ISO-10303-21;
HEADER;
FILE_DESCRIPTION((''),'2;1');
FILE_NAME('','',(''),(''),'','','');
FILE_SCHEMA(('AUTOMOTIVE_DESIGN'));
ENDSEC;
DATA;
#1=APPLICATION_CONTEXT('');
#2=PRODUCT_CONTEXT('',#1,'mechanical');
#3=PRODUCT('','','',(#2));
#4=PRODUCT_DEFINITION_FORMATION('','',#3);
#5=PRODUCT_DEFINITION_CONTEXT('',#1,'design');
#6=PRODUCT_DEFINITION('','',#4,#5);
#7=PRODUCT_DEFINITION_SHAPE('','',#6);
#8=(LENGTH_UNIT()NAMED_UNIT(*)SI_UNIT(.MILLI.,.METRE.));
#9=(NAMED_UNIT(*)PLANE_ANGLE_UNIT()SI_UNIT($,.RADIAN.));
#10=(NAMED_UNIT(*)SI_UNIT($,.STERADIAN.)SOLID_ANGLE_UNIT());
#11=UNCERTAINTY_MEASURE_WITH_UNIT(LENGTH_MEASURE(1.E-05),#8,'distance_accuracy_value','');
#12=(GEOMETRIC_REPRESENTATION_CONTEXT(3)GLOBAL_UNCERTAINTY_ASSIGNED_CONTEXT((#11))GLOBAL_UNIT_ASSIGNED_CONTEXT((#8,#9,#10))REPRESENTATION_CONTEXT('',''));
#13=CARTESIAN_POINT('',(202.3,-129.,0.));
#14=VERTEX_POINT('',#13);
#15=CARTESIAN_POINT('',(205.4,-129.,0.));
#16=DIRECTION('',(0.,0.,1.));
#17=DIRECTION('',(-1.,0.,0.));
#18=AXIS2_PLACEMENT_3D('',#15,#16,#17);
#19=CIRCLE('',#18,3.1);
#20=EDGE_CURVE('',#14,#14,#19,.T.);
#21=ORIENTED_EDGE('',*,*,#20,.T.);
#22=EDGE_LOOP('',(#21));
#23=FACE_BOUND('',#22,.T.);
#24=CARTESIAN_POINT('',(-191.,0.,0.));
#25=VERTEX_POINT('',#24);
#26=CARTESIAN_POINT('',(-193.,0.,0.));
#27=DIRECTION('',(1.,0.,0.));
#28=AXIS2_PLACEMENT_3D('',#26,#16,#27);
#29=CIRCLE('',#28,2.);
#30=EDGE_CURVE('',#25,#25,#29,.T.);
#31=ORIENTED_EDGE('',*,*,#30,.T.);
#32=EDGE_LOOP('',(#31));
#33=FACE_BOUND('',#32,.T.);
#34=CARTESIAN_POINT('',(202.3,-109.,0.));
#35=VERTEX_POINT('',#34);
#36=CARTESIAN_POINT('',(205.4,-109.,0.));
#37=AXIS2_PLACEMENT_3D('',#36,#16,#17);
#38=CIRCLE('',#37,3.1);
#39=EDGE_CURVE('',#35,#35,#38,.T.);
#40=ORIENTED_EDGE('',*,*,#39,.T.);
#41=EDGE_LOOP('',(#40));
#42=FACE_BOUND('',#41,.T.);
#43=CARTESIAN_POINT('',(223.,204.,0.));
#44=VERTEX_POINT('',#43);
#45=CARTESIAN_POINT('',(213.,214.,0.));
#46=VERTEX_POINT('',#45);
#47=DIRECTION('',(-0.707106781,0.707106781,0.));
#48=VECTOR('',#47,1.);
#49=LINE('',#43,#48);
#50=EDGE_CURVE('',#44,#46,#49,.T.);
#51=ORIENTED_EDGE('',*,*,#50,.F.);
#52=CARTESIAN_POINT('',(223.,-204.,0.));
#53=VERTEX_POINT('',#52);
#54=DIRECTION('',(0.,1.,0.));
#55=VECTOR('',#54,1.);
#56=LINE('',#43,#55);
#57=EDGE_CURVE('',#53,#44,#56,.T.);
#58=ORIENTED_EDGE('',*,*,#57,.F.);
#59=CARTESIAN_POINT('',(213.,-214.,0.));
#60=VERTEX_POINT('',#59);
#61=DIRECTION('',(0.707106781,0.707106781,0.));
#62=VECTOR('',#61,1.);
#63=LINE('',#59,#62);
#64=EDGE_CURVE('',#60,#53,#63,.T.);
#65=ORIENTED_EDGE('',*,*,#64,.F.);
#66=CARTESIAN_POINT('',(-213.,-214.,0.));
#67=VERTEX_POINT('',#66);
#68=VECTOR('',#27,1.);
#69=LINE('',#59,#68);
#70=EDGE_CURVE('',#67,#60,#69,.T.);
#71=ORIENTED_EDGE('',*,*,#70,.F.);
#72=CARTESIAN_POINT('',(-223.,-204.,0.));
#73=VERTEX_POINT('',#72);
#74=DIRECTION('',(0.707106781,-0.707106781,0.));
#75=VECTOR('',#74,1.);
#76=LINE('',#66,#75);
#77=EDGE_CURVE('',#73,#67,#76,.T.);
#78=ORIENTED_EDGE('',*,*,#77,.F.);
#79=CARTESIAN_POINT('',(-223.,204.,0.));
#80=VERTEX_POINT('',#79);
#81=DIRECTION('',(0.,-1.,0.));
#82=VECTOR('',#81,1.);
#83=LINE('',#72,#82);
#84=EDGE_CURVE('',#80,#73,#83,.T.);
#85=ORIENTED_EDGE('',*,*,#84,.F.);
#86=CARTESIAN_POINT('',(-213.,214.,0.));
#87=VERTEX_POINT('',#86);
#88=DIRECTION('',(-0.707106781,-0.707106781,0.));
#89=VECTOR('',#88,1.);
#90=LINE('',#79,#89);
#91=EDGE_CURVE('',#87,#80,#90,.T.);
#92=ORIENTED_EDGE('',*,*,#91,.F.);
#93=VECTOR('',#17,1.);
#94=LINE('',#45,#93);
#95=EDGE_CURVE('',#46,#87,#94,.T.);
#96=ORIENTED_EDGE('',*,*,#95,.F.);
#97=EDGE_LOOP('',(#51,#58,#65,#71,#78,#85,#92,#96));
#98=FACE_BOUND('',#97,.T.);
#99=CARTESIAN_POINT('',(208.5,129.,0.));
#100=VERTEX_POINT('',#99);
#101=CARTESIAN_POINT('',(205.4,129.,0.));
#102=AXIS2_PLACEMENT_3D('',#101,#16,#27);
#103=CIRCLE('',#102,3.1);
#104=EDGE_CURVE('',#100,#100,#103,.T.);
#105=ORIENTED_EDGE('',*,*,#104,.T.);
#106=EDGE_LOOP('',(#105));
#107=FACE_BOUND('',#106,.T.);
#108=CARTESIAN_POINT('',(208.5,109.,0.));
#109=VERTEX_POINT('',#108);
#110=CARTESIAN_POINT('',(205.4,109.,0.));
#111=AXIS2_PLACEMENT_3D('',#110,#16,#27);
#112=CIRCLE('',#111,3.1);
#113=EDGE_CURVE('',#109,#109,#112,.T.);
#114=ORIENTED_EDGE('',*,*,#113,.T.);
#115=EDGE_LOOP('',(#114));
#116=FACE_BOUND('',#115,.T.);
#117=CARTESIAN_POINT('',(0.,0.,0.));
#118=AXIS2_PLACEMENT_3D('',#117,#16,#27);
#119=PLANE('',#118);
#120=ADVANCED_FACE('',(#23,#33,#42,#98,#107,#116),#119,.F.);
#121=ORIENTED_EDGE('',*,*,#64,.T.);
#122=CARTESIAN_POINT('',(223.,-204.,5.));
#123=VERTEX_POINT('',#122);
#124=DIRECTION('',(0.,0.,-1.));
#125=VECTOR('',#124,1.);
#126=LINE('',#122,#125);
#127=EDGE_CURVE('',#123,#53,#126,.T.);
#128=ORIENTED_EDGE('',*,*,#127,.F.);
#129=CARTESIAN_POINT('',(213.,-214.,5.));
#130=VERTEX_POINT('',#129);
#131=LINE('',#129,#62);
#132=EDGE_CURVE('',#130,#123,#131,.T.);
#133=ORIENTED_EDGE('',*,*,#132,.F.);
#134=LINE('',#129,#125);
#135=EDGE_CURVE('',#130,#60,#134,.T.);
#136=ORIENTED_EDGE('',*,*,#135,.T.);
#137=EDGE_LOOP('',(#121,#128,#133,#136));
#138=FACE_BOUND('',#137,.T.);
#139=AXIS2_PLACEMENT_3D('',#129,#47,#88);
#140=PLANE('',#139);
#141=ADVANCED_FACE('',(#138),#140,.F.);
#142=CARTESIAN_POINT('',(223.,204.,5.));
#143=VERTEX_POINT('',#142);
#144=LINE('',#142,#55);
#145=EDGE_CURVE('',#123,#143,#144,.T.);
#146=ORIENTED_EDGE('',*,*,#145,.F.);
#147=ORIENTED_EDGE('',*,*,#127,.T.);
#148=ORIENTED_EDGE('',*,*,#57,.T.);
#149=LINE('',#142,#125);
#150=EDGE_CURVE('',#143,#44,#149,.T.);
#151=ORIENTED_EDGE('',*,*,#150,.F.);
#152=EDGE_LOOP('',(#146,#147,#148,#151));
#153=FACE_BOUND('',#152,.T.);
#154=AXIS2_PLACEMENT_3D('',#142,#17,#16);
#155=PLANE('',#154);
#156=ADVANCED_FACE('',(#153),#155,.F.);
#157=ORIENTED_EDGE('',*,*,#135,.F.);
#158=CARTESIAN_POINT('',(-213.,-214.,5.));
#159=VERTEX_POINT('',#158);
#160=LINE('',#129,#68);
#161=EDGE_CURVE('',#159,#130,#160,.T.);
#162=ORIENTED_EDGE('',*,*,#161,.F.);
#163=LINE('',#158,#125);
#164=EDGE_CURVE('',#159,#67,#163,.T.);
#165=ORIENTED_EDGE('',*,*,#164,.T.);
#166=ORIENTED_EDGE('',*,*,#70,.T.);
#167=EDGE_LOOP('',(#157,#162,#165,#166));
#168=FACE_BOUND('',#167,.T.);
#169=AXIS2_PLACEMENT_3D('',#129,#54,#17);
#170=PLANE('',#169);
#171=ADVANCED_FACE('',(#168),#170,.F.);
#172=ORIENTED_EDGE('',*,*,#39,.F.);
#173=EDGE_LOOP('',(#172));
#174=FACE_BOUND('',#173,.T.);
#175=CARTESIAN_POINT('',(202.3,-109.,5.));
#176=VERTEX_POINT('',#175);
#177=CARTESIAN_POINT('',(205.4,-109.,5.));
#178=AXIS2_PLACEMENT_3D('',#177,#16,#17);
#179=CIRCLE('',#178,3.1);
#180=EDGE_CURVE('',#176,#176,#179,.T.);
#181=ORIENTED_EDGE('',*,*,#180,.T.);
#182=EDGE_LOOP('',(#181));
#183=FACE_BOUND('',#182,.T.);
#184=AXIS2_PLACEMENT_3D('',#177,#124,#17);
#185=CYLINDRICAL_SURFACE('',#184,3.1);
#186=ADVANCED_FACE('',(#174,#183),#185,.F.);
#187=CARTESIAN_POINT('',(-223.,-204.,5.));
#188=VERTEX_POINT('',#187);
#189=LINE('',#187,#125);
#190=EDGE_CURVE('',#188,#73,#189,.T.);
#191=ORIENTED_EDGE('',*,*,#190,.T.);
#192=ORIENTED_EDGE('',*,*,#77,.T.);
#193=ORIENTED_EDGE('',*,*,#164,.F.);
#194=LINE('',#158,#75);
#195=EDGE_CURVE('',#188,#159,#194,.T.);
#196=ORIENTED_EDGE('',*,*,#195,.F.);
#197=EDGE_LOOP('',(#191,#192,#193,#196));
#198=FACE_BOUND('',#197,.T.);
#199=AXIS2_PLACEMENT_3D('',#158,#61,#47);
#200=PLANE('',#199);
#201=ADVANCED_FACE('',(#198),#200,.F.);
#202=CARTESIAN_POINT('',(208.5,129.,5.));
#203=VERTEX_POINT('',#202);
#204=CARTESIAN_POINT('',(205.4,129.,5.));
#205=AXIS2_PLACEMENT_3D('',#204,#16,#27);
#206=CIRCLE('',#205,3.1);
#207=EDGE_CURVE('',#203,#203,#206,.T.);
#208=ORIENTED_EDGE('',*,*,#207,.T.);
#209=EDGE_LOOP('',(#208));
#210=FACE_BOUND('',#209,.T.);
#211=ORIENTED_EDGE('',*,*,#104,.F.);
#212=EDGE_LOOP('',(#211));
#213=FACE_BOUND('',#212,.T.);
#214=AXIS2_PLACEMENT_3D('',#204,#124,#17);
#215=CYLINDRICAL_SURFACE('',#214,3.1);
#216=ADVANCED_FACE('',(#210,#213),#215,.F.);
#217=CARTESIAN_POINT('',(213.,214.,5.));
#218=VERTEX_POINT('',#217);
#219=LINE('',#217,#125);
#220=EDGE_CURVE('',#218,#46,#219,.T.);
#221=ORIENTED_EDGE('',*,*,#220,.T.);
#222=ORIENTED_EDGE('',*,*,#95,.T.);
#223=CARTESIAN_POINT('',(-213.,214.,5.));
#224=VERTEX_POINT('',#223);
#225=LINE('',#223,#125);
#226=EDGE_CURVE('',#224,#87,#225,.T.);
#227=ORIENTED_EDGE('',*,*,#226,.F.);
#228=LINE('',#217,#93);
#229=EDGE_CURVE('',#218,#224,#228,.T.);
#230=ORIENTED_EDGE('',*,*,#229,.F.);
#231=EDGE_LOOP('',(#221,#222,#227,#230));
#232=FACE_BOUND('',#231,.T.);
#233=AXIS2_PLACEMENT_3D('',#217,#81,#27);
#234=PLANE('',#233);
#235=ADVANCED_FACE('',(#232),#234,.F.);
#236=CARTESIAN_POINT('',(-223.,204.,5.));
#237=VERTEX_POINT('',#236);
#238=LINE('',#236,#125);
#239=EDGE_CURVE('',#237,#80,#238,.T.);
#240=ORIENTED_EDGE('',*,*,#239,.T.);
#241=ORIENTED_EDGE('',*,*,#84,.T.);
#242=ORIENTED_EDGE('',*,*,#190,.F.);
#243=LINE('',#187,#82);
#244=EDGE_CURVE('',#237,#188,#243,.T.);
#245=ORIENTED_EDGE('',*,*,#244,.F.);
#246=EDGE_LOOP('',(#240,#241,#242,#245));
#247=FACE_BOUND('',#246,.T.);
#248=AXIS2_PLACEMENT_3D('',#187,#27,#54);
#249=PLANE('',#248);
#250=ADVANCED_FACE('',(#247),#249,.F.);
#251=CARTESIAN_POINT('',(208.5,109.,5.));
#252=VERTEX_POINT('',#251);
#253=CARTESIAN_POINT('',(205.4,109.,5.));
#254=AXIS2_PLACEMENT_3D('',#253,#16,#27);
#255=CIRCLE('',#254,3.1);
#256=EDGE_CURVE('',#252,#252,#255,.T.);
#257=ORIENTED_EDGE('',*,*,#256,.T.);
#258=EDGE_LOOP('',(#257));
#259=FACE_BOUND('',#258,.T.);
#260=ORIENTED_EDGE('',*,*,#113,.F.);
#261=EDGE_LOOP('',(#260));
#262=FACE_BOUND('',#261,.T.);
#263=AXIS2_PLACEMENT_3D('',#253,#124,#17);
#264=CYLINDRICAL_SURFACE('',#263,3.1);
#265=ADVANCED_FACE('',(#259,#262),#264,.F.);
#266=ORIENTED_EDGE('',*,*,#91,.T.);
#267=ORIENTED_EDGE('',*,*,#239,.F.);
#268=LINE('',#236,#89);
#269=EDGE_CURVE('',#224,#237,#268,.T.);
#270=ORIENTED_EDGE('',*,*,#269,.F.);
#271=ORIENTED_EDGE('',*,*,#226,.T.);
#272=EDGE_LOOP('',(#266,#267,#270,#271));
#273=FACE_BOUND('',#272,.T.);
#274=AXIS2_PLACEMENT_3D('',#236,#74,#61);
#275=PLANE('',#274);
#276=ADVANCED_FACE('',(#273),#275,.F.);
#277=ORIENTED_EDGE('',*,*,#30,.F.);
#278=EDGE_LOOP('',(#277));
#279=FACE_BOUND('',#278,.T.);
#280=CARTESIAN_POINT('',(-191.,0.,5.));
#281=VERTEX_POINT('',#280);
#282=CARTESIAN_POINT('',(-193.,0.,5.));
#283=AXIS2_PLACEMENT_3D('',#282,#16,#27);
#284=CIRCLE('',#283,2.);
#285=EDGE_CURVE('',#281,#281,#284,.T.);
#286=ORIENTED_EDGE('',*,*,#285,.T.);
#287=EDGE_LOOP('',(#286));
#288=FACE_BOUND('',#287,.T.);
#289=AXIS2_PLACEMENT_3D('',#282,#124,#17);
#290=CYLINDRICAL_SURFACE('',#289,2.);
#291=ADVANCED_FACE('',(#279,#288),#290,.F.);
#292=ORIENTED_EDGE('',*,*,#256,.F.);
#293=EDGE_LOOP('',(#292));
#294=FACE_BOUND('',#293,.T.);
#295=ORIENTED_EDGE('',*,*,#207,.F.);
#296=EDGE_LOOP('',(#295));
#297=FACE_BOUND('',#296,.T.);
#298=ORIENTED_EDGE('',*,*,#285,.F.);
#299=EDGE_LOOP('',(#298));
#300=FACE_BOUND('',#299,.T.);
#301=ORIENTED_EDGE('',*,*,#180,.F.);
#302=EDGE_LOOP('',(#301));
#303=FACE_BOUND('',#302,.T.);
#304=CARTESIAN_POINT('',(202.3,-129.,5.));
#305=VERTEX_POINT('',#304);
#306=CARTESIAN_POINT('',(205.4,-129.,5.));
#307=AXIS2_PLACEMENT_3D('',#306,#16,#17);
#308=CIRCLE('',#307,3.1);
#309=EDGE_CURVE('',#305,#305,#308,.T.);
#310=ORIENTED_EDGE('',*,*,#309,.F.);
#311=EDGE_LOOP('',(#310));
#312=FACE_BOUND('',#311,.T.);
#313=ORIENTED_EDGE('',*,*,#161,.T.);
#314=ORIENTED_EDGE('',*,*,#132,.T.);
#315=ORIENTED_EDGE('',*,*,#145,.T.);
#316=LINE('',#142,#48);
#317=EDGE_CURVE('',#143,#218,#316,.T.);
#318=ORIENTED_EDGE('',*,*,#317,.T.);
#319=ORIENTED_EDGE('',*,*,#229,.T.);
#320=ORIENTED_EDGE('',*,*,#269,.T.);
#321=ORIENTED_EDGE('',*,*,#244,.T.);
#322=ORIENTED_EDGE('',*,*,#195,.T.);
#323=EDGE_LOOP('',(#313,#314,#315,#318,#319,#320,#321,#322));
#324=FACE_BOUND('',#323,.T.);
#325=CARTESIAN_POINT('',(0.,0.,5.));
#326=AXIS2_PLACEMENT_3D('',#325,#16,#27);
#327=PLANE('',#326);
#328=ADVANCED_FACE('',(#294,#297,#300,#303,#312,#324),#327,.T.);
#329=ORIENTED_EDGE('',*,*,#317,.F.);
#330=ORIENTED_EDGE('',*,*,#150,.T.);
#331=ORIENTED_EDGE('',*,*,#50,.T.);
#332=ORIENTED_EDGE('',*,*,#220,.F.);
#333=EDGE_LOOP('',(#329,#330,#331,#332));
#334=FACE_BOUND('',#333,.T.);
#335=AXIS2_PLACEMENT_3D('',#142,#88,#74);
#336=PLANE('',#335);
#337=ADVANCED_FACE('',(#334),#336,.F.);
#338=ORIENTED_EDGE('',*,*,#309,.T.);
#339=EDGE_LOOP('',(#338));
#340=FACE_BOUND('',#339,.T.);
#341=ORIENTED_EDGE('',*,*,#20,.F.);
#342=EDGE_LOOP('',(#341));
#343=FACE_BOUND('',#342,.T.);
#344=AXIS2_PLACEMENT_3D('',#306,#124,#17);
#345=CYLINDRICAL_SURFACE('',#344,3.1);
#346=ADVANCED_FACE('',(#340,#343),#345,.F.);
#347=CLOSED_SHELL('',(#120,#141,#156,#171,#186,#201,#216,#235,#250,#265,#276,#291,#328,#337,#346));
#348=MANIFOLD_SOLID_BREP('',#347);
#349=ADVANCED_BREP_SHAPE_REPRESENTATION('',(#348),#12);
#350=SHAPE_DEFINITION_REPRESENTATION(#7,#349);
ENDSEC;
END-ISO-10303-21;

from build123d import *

# Parameters (mm, degrees)
SCHIZZO1_R                   = 3.1
SCHIZZO1_R_2                 = 2
ESTRUSIONE_ESTRUSIONE1_DEPTH = 5


with BuildPart() as part:
    # Schizzo1 → Estrusione-Estrusione1 (new body)
    with BuildSketch(Plane.XY):
        Polygon((-223, 204), (-213, 214), (213, 214), (223, 204), (223, -204), (213, -214), (-213, -214), (-223, -204), align=None)
        with Locations((205.4, 129)):
            Circle(SCHIZZO1_R, mode=Mode.SUBTRACT)
        with Locations((205.4, 109)):
            Circle(SCHIZZO1_R, mode=Mode.SUBTRACT)
        with Locations((205.4, -109)):
            Circle(SCHIZZO1_R, mode=Mode.SUBTRACT)
        with Locations((205.4, -129)):
            Circle(SCHIZZO1_R, mode=Mode.SUBTRACT)
        with Locations((-193, 0)):
            Circle(SCHIZZO1_R_2, mode=Mode.SUBTRACT)
    extrude(amount=ESTRUSIONE_ESTRUSIONE1_DEPTH)


solid = part.part
